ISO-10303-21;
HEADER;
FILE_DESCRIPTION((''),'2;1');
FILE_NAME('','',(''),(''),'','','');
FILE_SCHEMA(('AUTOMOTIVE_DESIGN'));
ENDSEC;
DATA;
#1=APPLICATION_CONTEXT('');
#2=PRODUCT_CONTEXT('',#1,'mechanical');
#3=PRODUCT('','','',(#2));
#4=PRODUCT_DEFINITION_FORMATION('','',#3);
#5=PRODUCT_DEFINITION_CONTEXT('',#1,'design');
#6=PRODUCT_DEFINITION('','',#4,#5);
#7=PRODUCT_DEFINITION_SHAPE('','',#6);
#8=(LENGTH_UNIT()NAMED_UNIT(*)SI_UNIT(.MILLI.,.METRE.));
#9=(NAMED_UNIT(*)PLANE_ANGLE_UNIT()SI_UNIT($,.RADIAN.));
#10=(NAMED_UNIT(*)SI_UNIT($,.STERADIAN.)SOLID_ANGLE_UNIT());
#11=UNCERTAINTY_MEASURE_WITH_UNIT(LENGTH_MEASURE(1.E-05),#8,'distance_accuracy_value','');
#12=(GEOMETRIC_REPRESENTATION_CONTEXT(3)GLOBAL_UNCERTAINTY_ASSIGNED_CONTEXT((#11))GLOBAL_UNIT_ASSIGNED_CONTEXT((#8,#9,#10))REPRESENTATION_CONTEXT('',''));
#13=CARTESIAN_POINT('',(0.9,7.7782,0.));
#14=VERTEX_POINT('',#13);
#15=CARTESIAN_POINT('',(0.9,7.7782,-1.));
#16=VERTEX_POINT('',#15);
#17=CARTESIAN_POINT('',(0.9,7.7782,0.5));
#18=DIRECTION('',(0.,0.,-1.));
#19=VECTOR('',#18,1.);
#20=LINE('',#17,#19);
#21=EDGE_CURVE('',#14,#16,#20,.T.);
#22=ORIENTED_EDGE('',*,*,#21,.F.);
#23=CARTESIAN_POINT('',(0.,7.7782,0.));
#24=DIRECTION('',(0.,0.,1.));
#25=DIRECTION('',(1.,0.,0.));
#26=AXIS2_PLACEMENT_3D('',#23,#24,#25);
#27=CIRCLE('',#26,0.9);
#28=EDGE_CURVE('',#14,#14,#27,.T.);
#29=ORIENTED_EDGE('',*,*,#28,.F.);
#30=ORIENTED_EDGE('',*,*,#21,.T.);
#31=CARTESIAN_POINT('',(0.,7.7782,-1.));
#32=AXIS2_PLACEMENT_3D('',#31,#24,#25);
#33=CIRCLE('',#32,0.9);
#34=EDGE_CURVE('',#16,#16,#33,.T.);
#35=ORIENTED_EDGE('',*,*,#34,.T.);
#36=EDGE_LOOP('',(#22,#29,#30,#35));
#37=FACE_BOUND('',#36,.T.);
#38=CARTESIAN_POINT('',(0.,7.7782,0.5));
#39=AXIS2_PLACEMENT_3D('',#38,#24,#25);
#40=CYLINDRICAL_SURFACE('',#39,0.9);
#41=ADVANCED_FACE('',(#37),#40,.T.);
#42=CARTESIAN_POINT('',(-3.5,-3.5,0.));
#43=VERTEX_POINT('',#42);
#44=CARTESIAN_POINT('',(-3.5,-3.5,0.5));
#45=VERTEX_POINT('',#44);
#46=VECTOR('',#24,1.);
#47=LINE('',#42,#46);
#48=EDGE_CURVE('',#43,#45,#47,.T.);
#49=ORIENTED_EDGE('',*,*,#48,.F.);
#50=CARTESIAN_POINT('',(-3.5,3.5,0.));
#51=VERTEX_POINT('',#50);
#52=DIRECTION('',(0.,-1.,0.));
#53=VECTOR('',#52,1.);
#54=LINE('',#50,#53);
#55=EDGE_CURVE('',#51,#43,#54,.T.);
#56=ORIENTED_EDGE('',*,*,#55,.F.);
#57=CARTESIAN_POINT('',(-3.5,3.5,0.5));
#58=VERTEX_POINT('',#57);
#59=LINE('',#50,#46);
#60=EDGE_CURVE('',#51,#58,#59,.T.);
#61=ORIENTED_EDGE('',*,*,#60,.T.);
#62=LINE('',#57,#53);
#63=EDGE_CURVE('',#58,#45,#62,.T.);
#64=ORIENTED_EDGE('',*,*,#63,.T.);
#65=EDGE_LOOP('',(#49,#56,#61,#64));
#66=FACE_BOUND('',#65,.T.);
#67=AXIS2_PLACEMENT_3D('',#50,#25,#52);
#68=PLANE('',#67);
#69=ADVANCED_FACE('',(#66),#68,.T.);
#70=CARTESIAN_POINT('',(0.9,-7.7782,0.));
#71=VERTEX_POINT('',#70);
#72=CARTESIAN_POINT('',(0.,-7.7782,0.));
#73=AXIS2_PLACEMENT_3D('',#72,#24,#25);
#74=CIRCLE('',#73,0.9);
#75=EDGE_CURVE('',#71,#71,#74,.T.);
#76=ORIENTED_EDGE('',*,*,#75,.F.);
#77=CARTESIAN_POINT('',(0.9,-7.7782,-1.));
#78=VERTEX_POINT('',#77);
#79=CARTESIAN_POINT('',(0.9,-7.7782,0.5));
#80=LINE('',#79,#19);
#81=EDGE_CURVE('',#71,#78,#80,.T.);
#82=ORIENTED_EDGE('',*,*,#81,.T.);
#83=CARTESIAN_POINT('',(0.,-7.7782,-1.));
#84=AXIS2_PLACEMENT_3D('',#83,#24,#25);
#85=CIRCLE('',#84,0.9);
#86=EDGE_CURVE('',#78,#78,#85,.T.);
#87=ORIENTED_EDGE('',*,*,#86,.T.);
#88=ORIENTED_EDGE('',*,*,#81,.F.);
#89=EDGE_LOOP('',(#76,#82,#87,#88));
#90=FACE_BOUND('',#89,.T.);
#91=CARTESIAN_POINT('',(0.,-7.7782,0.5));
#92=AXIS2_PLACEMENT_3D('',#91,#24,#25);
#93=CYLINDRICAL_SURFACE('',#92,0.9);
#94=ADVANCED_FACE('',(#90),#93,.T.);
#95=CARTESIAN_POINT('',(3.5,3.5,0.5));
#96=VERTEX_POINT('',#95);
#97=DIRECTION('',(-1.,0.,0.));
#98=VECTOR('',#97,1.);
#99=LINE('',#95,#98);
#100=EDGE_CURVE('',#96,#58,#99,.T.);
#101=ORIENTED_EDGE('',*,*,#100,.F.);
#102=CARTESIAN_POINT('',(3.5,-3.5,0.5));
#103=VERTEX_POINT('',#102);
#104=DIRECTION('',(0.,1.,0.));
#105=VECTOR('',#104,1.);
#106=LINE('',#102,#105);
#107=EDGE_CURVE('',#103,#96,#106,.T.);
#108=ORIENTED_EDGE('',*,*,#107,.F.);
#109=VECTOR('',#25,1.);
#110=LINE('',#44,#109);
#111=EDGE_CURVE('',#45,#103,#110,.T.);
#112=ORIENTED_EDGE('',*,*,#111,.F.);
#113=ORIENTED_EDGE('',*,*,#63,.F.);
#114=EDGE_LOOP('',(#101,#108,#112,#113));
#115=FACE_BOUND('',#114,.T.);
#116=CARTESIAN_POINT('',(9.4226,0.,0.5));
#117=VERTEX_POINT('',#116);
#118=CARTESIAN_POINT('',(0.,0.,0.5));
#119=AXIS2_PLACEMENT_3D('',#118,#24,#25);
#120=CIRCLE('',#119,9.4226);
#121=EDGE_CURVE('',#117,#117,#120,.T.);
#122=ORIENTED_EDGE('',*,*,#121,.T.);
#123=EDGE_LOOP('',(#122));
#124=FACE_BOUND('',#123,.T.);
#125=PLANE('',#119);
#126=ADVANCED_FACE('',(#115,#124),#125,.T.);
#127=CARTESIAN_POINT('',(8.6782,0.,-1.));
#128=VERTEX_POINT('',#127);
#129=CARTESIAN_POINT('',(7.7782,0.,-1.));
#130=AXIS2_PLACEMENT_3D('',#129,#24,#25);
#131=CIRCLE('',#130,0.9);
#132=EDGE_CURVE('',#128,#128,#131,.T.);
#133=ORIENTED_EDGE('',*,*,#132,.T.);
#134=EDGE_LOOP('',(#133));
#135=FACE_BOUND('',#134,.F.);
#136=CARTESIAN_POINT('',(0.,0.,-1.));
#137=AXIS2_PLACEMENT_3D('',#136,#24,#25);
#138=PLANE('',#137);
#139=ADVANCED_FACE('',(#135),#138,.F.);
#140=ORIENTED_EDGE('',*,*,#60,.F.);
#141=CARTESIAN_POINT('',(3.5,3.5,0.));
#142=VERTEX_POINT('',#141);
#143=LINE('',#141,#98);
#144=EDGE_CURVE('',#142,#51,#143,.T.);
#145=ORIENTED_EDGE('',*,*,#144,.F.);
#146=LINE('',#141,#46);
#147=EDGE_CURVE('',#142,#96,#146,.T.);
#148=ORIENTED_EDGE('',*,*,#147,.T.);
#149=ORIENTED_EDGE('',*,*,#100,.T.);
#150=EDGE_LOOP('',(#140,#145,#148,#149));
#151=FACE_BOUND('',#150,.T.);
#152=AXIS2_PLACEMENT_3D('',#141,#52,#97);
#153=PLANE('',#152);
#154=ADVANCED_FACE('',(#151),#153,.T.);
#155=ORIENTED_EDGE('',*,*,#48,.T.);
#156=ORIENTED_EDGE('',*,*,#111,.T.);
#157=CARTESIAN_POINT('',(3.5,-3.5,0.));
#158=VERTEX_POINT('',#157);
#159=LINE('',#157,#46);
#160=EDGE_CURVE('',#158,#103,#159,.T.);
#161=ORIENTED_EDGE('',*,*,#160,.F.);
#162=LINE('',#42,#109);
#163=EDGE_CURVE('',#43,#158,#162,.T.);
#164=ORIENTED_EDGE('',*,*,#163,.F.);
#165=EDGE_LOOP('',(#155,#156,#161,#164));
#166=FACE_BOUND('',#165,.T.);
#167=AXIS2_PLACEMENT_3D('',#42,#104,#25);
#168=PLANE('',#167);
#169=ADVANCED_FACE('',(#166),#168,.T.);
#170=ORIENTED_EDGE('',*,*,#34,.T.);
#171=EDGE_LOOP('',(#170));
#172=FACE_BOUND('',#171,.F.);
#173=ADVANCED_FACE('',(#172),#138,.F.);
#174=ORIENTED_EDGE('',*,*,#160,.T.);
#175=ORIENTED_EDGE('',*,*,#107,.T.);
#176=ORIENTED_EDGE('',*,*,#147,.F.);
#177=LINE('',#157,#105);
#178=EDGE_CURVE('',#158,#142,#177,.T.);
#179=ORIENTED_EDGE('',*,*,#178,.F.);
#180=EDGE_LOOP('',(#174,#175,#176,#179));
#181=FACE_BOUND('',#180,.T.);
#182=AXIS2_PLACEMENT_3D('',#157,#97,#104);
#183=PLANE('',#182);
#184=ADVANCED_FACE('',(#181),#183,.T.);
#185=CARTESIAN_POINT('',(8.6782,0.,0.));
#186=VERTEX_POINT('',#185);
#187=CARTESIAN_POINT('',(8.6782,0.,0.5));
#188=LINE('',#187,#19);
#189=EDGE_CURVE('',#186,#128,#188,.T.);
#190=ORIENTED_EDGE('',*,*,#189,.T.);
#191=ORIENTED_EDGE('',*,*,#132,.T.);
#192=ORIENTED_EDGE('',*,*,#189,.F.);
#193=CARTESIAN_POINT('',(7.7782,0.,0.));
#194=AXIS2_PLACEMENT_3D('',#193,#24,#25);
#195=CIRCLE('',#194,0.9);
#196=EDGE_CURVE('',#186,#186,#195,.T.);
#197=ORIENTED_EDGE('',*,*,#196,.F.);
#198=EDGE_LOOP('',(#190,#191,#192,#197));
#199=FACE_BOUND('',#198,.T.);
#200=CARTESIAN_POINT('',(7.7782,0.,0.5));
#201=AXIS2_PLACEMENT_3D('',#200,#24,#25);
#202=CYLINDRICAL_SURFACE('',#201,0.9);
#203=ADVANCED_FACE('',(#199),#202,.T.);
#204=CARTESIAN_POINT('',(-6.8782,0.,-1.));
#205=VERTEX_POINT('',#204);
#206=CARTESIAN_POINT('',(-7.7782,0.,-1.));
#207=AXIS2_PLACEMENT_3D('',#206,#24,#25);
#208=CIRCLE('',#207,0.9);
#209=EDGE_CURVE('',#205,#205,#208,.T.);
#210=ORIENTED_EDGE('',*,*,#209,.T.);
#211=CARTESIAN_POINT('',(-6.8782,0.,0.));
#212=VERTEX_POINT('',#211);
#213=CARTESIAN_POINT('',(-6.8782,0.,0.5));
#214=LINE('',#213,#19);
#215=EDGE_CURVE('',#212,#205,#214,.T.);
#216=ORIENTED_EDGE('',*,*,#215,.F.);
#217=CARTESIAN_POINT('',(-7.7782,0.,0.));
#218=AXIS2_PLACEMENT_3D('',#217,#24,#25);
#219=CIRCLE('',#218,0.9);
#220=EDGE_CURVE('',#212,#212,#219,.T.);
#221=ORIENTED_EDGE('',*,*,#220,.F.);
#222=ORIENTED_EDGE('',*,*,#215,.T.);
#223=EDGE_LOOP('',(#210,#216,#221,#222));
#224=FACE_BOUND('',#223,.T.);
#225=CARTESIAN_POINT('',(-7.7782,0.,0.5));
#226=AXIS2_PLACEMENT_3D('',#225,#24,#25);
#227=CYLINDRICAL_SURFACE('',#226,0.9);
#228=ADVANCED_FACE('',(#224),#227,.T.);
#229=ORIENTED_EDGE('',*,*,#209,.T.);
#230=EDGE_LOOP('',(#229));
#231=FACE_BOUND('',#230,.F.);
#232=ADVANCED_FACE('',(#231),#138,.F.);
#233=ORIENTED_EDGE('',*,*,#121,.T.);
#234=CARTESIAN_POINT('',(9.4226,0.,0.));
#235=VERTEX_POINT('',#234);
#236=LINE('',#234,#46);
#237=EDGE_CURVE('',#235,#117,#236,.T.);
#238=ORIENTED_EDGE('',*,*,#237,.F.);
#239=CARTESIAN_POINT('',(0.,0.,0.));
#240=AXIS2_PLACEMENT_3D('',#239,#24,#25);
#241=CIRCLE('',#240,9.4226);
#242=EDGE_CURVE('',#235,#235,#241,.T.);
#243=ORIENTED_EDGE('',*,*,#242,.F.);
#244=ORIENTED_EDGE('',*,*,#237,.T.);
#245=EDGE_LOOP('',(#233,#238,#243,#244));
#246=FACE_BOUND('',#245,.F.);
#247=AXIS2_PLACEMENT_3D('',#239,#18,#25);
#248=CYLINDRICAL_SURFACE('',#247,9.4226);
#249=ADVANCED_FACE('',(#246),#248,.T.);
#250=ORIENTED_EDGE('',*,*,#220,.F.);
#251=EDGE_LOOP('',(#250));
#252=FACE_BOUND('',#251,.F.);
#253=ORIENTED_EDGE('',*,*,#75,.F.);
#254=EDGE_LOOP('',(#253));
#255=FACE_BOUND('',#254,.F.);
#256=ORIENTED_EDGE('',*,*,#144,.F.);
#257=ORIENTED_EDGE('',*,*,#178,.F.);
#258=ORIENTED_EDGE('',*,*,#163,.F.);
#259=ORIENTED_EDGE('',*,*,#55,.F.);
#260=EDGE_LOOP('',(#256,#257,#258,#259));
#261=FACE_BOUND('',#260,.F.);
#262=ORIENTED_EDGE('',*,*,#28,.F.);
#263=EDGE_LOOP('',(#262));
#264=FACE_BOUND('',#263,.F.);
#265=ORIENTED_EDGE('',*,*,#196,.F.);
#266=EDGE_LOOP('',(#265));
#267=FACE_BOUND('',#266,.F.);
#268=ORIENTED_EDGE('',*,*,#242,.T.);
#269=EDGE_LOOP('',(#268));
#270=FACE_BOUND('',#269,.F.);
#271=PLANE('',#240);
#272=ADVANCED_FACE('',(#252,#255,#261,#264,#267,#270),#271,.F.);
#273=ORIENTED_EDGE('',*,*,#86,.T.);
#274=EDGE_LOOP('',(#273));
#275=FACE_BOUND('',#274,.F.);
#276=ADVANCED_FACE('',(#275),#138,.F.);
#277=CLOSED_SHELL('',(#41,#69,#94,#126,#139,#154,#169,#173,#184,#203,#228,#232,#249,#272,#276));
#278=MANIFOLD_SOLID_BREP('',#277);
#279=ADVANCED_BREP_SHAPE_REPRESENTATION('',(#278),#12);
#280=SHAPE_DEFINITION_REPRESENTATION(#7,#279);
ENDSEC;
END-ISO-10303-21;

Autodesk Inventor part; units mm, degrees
ref_plane "YZ Plane" through (0, 0, 0) normal (1, 0, 0) x (0, 1, 0)
ref_plane "XZ Plane" through (0, 0, 0) normal (0, 1, 0) x (-1, 0, 0)
ref_plane "XY Plane" through (0, 0, 0) normal (0, 0, 1) x (1, 0, 0)
sketch "Sketch1" plane through (0, 0, 0) normal (0, 0, 1) x (1, 0, 0)
  circle A0 centre (-7.7782, 0) radius 1.1 construction
  circle A1 centre (7.7782, 0) radius 1.1 construction
  circle A2 centre (0, -7.7782) radius 1.1 construction
  circle A3 centre (0, 7.7782) radius 1.1 construction
  arc A4 (0, 10) -> (-2.698, 9.6292) centre (0, 0) ccw construction
  arc A5 (-2.698, 9.6292) -> (-5.1958, 8.5442) centre (0, 0) ccw construction
  arc A6 (-5.1958, 8.5442) -> (-7.3084, 6.8255) centre (0, 0) ccw construction
  arc A7 (-7.3084, 6.8255) -> (-8.8789, 4.6007) centre (0, 0) ccw construction
  arc A8 (-8.8789, 4.6007) -> (-9.7908, 2.0346) centre (0, 0) ccw construction
  arc A9 (-9.7908, 2.0346) -> (-9.9767, -0.6824) centre (0, 0) ccw construction
  arc A10 (-9.9767, -0.6824) -> (-9.4226, -3.3488) centre (0, 0) ccw construction
  arc A11 (-9.4226, -3.3488) -> (-8.1697, -5.7668) centre (0, 0) ccw construction
  arc A12 (-8.1697, -5.7668) -> (-6.3109, -7.7571) centre (0, 0) ccw construction
  arc A13 (-6.3109, -7.7571) -> (-3.984, -9.1721) centre (0, 0) ccw construction
  arc A14 (-3.984, -9.1721) -> (-1.3617, -9.9069) centre (0, 0) ccw construction
  arc A15 (-1.3617, -9.9069) -> (1.3617, -9.9069) centre (0, 0) ccw construction
  arc A16 (1.3617, -9.9069) -> (3.984, -9.1721) centre (0, 0) ccw construction
  arc A17 (3.984, -9.1721) -> (6.3109, -7.7571) centre (0, 0) ccw construction
  arc A18 (6.3109, -7.7571) -> (8.1697, -5.7668) centre (0, 0) ccw construction
  arc A19 (8.1697, -5.7668) -> (9.4226, -3.3488) centre (0, 0) ccw construction
  arc A20 (9.4226, -3.3488) -> (9.9767, -0.6824) centre (0, 0) ccw construction
  arc A21 (9.9767, -0.6824) -> (9.7908, 2.0346) centre (0, 0) ccw construction
  arc A22 (9.7908, 2.0346) -> (8.8789, 4.6007) centre (0, 0) ccw construction
  arc A23 (8.8789, 4.6007) -> (7.3084, 6.8255) centre (0, 0) ccw construction
  arc A24 (7.3084, 6.8255) -> (5.1958, 8.5442) centre (0, 0) ccw construction
  arc A25 (5.1958, 8.5442) -> (2.698, 9.6292) centre (0, 0) ccw construction
  arc A26 (2.698, 9.6292) -> (0, 10) centre (0, 0) ccw construction
  circle A27 centre (0, 0) radius 9.4226
  circle A28 centre (7.7782, 0) radius 0.9
  circle A29 centre (0, -7.7782) radius 0.9
  circle A30 centre (-7.7782, 0) radius 0.9
  circle A31 centre (0, 7.7782) radius 0.9
  line L0 (-3.5, -3.5) -> (3.5, -3.5)
  line L1 (3.5, -3.5) -> (3.5, 3.5)
  line L2 (3.5, 3.5) -> (-3.5, 3.5)
  line L3 (-3.5, 3.5) -> (-3.5, -3.5)
  line L4 (-3.5, -3.5) -> (3.5, 3.5) construction
  line L5 (3.5, -3.5) -> (-3.5, 3.5) construction
  line L6 (5.25, 5.25) -> (5.25, -5.25) projected
  line L7 (5.25, -5.25) -> (-5.25, -5.25) projected
  line L8 (-5.25, -5.25) -> (-5.25, 5.25) projected
  line L9 (-5.25, 5.25) -> (5.25, 5.25) projected
  dimension "d0" = 0.2
  dimension "d1" = 0.2
  dimension "d2" = 0.2
  dimension "d3" = 0.2
  dimension "d4" = 7
  dimension "d5" = 7
extrude "Extrusion1" add sketch "Sketch1" along normal blind 0.5 contours A27 | L6 L7 L8 L9
sketch "Sketch2" plane through (0, 0, 0.5) normal (0, 0, 1) x (1, 0, 0)
  line L0 (-3.5, -3.5) -> (-3.5, 3.5) projected
  line L1 (-3.5, 3.5) -> (3.5, 3.5) projected
  line L2 (3.5, 3.5) -> (3.5, -3.5) projected
  line L3 (3.5, -3.5) -> (-3.5, -3.5) projected
  circle A0 centre (0, 7.7782) radius 0.9 projected
  circle A1 centre (-7.7782, 0) radius 0.9 projected
  circle A2 centre (0, -7.7782) radius 0.9 projected
  circle A3 centre (7.7782, 0) radius 0.9 projected
  circle A4 centre (0, 0) radius 9.4226 projected
extrude "Extrusion2" add sketch "Sketch2" against normal blind 1.5 contours A0 | A1 | A2 | A3
properties part number "200_Lambdaplatte_2_conterplate"
